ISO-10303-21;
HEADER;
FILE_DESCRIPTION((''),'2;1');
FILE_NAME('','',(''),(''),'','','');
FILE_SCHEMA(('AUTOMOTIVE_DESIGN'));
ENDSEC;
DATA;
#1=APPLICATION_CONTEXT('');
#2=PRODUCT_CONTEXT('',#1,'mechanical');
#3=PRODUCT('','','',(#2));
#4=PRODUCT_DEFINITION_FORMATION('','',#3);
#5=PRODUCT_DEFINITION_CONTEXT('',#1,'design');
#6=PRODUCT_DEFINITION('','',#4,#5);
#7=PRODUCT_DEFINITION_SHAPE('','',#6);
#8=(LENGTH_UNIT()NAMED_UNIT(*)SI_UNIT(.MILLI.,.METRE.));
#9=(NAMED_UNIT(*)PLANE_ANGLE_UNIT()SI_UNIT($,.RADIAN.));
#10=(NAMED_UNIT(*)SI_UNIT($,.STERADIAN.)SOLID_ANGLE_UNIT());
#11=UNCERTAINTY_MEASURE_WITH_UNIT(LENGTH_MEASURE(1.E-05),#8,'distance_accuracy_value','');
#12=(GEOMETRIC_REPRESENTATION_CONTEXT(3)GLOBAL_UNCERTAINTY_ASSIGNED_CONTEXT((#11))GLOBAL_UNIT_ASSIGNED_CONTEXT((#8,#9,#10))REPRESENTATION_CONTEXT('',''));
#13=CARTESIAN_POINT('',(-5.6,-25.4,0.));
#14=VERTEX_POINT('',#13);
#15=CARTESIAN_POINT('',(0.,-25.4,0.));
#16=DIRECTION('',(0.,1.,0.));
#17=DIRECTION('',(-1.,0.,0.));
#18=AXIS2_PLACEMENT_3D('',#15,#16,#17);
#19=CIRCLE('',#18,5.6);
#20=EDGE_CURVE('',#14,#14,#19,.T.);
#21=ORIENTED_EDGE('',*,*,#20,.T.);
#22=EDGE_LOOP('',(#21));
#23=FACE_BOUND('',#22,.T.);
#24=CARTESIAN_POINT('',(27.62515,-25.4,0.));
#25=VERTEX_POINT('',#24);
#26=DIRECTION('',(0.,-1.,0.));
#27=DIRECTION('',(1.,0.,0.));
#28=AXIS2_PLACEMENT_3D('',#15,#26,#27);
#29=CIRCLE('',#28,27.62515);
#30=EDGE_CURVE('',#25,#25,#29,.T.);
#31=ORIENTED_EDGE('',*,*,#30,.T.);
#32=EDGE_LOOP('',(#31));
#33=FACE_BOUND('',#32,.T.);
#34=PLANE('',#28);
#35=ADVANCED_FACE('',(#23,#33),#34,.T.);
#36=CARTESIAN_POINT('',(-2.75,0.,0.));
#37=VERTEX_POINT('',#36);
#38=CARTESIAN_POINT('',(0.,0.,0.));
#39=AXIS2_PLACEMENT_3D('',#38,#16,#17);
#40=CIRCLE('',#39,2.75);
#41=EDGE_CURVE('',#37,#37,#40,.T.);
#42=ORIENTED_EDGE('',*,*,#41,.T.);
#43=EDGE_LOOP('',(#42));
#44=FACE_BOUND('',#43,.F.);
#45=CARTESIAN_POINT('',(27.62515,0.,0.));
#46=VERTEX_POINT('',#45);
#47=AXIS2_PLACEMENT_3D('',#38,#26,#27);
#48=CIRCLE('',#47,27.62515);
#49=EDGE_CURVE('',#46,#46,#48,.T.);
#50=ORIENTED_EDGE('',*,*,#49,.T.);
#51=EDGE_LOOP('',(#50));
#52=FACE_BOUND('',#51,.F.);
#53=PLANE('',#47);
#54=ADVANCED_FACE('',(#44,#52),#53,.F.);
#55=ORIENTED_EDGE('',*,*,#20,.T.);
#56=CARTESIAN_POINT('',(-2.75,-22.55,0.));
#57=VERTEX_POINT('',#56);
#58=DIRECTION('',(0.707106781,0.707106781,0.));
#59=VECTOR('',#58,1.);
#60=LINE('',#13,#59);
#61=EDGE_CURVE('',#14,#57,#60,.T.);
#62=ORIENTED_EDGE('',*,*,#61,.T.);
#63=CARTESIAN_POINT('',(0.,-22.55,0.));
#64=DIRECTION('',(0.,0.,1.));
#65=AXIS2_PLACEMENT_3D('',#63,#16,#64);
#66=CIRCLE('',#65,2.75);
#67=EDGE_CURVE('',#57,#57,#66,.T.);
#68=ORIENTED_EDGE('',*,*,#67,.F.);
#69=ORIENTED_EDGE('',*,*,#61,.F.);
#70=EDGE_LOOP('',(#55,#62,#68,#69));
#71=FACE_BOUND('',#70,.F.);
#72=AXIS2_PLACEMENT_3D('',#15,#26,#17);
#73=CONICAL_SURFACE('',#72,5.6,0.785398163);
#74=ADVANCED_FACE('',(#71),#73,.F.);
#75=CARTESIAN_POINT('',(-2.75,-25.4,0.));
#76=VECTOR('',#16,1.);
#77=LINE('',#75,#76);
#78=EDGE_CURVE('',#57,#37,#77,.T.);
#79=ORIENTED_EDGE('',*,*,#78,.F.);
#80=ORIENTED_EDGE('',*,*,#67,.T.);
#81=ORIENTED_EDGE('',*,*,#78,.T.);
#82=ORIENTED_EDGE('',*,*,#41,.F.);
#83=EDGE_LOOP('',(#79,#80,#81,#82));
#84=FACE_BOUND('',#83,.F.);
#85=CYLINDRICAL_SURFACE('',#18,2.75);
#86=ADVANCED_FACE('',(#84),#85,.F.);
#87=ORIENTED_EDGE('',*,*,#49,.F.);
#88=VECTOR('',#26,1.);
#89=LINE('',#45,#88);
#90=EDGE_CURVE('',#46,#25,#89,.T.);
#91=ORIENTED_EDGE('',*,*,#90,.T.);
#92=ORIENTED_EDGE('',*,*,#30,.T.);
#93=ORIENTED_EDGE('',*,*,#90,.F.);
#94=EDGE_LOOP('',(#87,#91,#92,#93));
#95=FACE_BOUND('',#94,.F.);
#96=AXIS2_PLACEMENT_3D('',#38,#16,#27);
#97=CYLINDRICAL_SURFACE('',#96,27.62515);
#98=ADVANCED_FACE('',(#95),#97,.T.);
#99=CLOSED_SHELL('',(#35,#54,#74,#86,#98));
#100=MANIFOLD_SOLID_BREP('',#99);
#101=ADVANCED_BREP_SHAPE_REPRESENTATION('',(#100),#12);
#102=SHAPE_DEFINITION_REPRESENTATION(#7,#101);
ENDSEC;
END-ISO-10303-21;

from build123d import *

# Parameters (mm, degrees)
F0_R           = 27.6251503608
F1_DEPTH       = 25.4
F3_D           = 5.5
F3_CSINK_D     = 11.2
F3_CSINK_ANGLE = 90


with BuildPart() as f1:
    # F0 (on Front) → F1 (new body)
    with BuildSketch(Plane.XZ):
        Circle(F0_R)
    extrude(amount=F1_DEPTH)

    # F3 (through all)
    with Locations(Plane.XZ.offset(25.4)):
        with Locations((0, 0)):
            CounterSinkHole(F3_D / 2, F3_CSINK_D / 2, counter_sink_angle=F3_CSINK_ANGLE)


solid = f1.part
